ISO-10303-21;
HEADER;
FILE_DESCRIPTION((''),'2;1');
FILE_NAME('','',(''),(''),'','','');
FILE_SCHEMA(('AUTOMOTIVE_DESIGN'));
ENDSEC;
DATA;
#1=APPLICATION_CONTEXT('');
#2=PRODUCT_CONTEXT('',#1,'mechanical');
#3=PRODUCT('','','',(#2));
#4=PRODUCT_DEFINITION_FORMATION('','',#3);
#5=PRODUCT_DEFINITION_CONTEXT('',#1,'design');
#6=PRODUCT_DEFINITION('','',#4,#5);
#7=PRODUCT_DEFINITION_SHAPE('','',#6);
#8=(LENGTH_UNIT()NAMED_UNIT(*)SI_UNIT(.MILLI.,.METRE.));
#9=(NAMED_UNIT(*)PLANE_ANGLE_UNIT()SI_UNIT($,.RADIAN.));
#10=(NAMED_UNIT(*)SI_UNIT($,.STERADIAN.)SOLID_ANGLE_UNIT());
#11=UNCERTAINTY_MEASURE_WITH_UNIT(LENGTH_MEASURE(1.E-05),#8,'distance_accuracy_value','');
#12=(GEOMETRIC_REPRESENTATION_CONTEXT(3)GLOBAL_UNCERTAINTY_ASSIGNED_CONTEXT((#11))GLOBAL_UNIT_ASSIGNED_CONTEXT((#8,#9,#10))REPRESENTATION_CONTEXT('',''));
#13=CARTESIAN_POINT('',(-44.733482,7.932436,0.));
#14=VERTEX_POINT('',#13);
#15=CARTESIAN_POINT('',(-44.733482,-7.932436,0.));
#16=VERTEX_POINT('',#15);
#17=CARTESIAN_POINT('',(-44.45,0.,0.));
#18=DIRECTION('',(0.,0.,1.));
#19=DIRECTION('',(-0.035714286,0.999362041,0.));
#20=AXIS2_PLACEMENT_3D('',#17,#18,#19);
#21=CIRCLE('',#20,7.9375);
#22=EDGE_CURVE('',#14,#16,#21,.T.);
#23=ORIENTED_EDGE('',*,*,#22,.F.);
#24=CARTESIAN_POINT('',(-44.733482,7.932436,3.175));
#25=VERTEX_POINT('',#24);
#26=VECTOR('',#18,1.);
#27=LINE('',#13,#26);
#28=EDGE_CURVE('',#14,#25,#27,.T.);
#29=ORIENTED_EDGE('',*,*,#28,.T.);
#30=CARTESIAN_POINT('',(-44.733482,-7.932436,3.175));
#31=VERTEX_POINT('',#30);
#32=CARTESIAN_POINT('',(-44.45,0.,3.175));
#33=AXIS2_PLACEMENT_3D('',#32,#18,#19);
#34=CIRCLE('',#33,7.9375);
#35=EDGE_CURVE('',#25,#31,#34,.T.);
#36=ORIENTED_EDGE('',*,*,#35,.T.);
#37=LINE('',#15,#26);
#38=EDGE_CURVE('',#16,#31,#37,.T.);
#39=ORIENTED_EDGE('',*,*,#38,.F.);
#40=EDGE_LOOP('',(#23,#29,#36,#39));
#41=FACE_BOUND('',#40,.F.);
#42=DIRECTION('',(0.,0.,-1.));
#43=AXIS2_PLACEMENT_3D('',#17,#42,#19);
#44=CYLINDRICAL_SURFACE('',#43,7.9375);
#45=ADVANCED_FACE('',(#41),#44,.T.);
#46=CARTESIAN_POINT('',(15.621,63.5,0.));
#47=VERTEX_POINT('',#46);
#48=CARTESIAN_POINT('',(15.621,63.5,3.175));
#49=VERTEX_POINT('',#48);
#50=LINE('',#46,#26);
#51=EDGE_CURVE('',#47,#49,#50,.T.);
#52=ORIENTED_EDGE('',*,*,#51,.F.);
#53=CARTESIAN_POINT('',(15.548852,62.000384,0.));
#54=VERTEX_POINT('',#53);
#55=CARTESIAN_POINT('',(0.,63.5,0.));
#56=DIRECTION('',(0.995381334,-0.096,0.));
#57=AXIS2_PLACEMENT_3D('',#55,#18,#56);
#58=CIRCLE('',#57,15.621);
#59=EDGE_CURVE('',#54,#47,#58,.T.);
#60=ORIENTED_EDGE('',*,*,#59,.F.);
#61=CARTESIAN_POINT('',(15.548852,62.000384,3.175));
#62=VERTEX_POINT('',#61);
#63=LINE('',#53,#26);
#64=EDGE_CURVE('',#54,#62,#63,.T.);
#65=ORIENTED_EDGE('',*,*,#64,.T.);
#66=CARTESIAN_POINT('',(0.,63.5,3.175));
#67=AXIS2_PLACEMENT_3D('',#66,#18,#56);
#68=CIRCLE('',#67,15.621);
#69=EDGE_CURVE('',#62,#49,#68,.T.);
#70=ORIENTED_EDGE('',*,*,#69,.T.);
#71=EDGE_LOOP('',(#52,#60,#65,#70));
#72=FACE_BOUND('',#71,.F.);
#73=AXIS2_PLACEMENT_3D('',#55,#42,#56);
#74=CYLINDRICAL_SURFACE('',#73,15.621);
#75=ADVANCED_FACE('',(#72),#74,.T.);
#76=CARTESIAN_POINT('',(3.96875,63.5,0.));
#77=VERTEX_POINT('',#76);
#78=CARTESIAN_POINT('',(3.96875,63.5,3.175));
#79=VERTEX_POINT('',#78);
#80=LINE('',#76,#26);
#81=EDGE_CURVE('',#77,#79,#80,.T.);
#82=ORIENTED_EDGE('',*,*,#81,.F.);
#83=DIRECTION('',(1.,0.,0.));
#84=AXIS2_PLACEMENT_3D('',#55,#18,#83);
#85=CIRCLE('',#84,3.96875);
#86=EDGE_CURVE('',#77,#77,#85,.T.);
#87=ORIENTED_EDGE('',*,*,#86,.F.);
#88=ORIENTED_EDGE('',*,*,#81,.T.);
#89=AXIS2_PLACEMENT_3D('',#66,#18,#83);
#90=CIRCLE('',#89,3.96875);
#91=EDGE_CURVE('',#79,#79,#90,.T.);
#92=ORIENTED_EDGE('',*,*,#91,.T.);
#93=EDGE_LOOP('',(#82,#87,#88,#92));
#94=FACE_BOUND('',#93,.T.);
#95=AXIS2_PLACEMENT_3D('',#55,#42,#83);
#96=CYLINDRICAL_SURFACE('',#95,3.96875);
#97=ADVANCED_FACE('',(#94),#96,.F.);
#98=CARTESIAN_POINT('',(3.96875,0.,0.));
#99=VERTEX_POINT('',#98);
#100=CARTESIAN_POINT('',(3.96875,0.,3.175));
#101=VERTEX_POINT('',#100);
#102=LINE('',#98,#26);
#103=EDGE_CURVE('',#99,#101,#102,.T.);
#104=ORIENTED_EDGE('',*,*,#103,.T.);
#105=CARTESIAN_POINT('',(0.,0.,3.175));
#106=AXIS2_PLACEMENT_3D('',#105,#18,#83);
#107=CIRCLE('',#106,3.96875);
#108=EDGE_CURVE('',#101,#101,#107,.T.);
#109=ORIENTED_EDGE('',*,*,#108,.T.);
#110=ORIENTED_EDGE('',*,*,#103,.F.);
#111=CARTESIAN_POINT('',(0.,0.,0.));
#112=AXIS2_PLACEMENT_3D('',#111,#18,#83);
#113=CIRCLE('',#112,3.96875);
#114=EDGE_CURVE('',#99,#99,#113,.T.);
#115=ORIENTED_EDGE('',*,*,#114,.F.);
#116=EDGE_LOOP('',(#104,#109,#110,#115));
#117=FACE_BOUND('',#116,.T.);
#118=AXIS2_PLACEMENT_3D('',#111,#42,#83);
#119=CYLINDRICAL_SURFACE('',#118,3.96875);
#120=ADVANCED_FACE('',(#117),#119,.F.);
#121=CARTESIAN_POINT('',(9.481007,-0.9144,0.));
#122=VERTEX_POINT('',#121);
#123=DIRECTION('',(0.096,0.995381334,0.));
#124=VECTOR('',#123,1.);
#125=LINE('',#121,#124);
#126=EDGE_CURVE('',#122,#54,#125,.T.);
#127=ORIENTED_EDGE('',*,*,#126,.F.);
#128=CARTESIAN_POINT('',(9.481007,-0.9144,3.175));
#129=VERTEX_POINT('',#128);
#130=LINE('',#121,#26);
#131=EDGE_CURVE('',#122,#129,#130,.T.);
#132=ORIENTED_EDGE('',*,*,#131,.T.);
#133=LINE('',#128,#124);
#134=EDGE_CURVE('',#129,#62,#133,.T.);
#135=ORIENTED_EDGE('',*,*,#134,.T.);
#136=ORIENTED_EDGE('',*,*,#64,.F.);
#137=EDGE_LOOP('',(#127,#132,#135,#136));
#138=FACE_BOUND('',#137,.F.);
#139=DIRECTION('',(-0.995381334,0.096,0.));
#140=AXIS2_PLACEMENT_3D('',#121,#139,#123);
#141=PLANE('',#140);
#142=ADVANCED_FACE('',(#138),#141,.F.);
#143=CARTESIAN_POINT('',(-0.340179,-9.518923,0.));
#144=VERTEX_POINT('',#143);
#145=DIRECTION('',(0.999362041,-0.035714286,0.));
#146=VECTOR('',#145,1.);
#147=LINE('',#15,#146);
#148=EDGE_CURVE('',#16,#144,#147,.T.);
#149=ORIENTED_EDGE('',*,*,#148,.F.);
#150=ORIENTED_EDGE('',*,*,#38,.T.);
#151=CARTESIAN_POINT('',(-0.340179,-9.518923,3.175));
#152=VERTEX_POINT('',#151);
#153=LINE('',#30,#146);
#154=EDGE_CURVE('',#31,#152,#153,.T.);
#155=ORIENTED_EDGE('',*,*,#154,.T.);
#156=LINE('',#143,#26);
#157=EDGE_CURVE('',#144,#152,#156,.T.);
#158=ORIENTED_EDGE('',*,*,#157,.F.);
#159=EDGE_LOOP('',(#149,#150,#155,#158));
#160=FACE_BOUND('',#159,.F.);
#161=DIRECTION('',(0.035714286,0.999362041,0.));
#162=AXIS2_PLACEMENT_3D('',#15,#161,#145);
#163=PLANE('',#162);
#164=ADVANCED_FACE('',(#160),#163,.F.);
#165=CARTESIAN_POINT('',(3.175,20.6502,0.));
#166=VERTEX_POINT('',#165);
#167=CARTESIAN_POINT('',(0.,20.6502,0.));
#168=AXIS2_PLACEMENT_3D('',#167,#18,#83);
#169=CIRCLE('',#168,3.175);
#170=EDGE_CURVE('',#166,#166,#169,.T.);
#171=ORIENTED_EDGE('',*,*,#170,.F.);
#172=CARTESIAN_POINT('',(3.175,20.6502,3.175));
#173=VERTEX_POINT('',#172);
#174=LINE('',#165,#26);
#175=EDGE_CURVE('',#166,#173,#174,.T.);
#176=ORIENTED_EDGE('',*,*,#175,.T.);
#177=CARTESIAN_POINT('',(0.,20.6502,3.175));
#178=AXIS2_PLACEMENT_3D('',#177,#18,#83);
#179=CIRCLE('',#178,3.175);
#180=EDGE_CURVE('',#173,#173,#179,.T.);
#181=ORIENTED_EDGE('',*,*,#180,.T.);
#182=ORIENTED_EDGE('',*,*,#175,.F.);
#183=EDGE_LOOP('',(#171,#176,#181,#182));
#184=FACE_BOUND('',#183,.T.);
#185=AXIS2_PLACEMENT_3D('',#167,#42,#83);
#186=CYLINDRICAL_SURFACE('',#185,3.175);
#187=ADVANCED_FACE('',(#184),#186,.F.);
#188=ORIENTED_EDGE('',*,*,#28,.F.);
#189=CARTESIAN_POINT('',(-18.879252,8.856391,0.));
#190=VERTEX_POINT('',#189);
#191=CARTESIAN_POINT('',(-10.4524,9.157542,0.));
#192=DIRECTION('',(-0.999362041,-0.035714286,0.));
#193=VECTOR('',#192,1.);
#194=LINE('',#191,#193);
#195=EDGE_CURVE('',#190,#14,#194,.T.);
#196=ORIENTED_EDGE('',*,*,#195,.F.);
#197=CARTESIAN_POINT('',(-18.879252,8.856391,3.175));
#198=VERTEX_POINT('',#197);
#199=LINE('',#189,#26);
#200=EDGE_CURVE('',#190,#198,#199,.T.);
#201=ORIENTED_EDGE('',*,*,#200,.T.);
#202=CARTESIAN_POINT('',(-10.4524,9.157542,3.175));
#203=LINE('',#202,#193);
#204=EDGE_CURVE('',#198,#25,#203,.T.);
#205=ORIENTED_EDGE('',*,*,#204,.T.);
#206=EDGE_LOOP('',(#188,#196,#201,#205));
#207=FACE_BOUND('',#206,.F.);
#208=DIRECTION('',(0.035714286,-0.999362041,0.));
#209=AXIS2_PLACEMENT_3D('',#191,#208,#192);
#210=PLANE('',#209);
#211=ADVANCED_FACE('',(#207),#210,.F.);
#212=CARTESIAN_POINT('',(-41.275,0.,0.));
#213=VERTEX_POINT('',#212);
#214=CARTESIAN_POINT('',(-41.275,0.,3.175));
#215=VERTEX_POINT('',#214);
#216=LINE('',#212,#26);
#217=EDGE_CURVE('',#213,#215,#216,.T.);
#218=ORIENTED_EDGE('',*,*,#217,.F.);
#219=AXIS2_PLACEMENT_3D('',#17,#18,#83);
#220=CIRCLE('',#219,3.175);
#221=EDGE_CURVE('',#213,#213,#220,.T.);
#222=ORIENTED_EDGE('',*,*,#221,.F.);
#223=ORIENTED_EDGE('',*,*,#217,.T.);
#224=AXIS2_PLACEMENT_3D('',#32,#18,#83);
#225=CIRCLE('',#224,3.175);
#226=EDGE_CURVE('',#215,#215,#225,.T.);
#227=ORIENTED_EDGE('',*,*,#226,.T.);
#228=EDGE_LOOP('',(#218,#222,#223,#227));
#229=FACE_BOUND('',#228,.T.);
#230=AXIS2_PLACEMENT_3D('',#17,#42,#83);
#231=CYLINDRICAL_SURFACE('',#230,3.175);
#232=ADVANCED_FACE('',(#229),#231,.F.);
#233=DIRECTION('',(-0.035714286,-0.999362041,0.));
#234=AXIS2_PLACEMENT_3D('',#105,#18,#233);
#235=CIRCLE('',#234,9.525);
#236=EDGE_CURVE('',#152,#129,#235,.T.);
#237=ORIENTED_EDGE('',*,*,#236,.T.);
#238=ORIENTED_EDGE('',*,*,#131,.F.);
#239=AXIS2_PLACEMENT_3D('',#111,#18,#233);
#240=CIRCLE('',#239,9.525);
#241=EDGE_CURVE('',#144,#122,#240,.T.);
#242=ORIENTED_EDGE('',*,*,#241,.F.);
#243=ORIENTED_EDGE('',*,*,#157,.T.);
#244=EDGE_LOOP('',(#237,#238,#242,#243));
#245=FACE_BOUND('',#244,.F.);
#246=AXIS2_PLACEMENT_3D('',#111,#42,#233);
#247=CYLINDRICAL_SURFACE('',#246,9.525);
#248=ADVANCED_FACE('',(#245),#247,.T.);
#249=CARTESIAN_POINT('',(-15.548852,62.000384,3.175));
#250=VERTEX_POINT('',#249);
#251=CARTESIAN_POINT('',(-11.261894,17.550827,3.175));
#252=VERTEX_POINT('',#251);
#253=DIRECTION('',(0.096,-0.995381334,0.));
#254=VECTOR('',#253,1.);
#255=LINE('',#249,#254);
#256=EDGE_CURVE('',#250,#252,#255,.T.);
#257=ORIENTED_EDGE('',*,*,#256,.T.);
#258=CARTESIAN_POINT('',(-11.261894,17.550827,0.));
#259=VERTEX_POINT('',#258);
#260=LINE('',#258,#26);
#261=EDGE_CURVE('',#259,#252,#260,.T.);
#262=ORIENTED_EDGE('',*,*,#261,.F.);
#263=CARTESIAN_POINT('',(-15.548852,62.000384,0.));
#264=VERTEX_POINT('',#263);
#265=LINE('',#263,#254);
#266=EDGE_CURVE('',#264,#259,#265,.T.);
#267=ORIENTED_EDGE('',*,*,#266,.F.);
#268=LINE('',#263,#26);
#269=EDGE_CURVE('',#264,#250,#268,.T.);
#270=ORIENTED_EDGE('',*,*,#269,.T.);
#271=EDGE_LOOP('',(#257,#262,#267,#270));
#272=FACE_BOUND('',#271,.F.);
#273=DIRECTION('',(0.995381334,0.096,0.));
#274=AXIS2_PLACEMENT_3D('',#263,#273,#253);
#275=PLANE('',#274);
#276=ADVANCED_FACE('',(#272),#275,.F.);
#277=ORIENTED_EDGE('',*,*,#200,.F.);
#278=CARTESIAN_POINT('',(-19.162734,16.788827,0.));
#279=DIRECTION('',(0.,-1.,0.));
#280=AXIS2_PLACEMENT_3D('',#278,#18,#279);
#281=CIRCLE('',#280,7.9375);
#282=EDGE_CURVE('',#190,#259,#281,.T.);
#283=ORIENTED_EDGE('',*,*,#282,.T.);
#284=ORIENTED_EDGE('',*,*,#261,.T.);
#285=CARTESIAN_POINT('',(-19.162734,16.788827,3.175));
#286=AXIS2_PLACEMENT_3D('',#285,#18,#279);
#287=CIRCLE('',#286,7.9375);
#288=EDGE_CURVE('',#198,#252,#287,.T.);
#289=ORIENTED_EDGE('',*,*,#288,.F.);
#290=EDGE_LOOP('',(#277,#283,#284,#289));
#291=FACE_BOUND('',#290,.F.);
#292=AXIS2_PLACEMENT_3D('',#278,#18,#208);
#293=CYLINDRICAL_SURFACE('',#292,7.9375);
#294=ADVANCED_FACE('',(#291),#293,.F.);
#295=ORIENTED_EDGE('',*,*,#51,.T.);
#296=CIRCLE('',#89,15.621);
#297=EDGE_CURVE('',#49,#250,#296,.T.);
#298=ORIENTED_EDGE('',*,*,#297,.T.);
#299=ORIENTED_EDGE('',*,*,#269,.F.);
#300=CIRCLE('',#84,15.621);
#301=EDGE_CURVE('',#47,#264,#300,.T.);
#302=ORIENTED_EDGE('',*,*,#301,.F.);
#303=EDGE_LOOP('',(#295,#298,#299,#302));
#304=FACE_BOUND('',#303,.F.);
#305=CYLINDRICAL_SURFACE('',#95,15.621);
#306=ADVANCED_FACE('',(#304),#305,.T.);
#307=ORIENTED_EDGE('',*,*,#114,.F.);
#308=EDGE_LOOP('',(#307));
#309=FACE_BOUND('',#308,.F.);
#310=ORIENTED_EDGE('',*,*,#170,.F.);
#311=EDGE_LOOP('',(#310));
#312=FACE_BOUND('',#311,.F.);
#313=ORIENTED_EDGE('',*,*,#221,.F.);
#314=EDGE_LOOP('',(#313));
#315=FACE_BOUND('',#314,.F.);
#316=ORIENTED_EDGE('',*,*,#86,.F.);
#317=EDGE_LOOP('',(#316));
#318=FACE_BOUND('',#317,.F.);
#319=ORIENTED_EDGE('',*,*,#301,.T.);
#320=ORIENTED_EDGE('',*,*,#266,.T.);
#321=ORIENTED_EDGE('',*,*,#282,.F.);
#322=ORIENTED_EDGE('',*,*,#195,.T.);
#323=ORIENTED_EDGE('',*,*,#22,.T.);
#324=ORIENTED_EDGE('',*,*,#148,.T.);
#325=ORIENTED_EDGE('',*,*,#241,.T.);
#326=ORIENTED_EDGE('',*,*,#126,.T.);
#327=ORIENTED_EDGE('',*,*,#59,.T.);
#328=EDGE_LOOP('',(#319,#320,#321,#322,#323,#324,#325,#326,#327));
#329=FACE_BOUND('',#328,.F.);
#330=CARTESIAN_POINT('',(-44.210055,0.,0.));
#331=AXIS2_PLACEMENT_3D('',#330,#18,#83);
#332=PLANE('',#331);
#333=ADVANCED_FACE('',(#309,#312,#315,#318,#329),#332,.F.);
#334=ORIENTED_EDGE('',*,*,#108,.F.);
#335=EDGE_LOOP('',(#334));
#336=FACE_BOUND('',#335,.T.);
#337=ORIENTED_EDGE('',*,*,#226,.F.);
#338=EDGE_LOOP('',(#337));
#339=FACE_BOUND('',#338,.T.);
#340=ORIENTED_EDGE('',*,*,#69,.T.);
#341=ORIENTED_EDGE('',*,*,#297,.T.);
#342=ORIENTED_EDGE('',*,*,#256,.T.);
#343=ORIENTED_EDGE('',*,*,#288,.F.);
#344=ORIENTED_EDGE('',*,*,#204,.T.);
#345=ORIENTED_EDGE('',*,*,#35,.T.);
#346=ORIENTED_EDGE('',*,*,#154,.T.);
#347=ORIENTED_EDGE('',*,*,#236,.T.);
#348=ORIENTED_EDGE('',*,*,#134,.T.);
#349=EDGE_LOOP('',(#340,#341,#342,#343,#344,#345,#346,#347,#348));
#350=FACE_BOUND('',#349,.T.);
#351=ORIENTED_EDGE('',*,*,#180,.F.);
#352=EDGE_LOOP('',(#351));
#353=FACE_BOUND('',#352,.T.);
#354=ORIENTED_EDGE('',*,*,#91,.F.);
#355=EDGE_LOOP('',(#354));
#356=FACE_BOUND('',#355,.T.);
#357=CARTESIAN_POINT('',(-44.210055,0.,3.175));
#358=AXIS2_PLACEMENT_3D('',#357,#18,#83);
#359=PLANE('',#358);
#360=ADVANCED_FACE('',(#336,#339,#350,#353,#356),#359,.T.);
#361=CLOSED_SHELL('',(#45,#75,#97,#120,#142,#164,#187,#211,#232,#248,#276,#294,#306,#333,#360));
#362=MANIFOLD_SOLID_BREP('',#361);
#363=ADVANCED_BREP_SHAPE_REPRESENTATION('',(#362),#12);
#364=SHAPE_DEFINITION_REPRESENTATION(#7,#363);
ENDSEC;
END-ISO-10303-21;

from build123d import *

# Parameters (mm, degrees)
F0_R     = 3.175
F0_R_2   = 3.96875
F1_DEPTH = 3.175
F2_R     = 7.9375


with BuildPart() as f1:
    # F0 (on Top) → F1 (new body)
    with BuildSketch(Plane.XY):
        with BuildLine():
            ThreePointArc((-44.7334821429, -7.9324362036), (-38.9384772185, -5.7120069047), (-36.5125, 0))
            ThreePointArc((-36.5125, 0), (-38.9384772185, 5.7120069047), (-44.7334821429, 7.9324362036))
            ThreePointArc((-44.7334821429, 7.9324362036), (-52.3875, 0), (-44.7334821429, -7.9324362036))
        make_face()
        with Locations((-44.45, 0)):
            Circle(F0_R, mode=Mode.SUBTRACT)
        with BuildLine():
            ThreePointArc((-44.7334821429, 7.9324362036), (-38.9384772185, 5.7120069047), (-36.5125, 0))
            ThreePointArc((-36.5125, 0), (-38.9384772185, -5.7120069047), (-44.7334821429, -7.9324362036))
            Line((-44.7334821429, -7.9324362036), (-0.3401785714, -9.5189234444))
            ThreePointArc((-0.3401785714, -9.5189234444), (-6.5286582423, -6.9355783144), (-9.481007206, -0.9144))
            Line((-9.481007206, -0.9144), (-10.4524001899, 9.157542126))
            Line((-10.4524001899, 9.157542126), (-44.7334821429, 7.9324362036))
        make_face()
        with BuildLine():
            Line((-0.3401786498, 9.5189234416), (-10.4524001899, 9.157542126))
            Line((-10.4524001899, 9.157542126), (-9.481007206, -0.9144))
            ThreePointArc((-9.481007206, -0.9144), (-7.1643200942, 6.2767939736), (-0.3401786498, 9.5189234416))
        make_face()
        with BuildLine():
            Line((-15.5488518178, 62.000384), (-10.4524001899, 9.157542126))
            Line((-10.4524001899, 9.157542126), (-0.3401786498, 9.5189234416))
            ThreePointArc((-0.3401786498, 9.5189234416), (6.6138273095, 6.8544083129), (9.525, 0))
            ThreePointArc((9.525, 0), (9.5139954445, -0.4577288296), (9.481007206, -0.9144))
            Line((9.481007206, -0.9144), (15.5488518178, 62.000384))
            ThreePointArc((15.5488518178, 62.000384), (0, 47.879), (-15.5488518178, 62.000384))
        make_face()
        with Locations((0, 20.6502)):
            Circle(F0_R, mode=Mode.SUBTRACT)
        with BuildLine():
            ThreePointArc((-9.481007206, -0.9144), (-6.5286582423, -6.9355783144), (-0.3401785714, -9.5189234444))
            ThreePointArc((-0.3401785714, -9.5189234444), (6.2767940031, -7.1643200684), (9.481007206, -0.9144))
            ThreePointArc((9.481007206, -0.9144), (9.5139954445, -0.4577288296), (9.525, 0))
            ThreePointArc((9.525, 0), (6.6138273095, 6.8544083129), (-0.3401786498, 9.5189234416))
            ThreePointArc((-0.3401786498, 9.5189234416), (-7.1643200942, 6.2767939736), (-9.481007206, -0.9144))
        make_face()
        Circle(F0_R_2, mode=Mode.SUBTRACT)
        with BuildLine():
            ThreePointArc((15.621, 63.5), (-0.7506752806, 79.102952529), (-15.5488518178, 62.000384))
            ThreePointArc((-15.5488518178, 62.000384), (0, 47.879), (15.5488518178, 62.000384))
            ThreePointArc((15.5488518178, 62.000384), (15.602952529, 62.7493247194), (15.621, 63.5))
        make_face()
        with Locations((0, 63.5)):
            Circle(F0_R_2, mode=Mode.SUBTRACT)
    extrude(amount=F1_DEPTH)

    # F2
    f2_edges = [f1.edges().sort_by_distance(p)[0] for p in [
        (-10.4524, 9.157542, 1.5875),
    ]]
    fillet(f2_edges, radius=F2_R)


solid = f1.part
